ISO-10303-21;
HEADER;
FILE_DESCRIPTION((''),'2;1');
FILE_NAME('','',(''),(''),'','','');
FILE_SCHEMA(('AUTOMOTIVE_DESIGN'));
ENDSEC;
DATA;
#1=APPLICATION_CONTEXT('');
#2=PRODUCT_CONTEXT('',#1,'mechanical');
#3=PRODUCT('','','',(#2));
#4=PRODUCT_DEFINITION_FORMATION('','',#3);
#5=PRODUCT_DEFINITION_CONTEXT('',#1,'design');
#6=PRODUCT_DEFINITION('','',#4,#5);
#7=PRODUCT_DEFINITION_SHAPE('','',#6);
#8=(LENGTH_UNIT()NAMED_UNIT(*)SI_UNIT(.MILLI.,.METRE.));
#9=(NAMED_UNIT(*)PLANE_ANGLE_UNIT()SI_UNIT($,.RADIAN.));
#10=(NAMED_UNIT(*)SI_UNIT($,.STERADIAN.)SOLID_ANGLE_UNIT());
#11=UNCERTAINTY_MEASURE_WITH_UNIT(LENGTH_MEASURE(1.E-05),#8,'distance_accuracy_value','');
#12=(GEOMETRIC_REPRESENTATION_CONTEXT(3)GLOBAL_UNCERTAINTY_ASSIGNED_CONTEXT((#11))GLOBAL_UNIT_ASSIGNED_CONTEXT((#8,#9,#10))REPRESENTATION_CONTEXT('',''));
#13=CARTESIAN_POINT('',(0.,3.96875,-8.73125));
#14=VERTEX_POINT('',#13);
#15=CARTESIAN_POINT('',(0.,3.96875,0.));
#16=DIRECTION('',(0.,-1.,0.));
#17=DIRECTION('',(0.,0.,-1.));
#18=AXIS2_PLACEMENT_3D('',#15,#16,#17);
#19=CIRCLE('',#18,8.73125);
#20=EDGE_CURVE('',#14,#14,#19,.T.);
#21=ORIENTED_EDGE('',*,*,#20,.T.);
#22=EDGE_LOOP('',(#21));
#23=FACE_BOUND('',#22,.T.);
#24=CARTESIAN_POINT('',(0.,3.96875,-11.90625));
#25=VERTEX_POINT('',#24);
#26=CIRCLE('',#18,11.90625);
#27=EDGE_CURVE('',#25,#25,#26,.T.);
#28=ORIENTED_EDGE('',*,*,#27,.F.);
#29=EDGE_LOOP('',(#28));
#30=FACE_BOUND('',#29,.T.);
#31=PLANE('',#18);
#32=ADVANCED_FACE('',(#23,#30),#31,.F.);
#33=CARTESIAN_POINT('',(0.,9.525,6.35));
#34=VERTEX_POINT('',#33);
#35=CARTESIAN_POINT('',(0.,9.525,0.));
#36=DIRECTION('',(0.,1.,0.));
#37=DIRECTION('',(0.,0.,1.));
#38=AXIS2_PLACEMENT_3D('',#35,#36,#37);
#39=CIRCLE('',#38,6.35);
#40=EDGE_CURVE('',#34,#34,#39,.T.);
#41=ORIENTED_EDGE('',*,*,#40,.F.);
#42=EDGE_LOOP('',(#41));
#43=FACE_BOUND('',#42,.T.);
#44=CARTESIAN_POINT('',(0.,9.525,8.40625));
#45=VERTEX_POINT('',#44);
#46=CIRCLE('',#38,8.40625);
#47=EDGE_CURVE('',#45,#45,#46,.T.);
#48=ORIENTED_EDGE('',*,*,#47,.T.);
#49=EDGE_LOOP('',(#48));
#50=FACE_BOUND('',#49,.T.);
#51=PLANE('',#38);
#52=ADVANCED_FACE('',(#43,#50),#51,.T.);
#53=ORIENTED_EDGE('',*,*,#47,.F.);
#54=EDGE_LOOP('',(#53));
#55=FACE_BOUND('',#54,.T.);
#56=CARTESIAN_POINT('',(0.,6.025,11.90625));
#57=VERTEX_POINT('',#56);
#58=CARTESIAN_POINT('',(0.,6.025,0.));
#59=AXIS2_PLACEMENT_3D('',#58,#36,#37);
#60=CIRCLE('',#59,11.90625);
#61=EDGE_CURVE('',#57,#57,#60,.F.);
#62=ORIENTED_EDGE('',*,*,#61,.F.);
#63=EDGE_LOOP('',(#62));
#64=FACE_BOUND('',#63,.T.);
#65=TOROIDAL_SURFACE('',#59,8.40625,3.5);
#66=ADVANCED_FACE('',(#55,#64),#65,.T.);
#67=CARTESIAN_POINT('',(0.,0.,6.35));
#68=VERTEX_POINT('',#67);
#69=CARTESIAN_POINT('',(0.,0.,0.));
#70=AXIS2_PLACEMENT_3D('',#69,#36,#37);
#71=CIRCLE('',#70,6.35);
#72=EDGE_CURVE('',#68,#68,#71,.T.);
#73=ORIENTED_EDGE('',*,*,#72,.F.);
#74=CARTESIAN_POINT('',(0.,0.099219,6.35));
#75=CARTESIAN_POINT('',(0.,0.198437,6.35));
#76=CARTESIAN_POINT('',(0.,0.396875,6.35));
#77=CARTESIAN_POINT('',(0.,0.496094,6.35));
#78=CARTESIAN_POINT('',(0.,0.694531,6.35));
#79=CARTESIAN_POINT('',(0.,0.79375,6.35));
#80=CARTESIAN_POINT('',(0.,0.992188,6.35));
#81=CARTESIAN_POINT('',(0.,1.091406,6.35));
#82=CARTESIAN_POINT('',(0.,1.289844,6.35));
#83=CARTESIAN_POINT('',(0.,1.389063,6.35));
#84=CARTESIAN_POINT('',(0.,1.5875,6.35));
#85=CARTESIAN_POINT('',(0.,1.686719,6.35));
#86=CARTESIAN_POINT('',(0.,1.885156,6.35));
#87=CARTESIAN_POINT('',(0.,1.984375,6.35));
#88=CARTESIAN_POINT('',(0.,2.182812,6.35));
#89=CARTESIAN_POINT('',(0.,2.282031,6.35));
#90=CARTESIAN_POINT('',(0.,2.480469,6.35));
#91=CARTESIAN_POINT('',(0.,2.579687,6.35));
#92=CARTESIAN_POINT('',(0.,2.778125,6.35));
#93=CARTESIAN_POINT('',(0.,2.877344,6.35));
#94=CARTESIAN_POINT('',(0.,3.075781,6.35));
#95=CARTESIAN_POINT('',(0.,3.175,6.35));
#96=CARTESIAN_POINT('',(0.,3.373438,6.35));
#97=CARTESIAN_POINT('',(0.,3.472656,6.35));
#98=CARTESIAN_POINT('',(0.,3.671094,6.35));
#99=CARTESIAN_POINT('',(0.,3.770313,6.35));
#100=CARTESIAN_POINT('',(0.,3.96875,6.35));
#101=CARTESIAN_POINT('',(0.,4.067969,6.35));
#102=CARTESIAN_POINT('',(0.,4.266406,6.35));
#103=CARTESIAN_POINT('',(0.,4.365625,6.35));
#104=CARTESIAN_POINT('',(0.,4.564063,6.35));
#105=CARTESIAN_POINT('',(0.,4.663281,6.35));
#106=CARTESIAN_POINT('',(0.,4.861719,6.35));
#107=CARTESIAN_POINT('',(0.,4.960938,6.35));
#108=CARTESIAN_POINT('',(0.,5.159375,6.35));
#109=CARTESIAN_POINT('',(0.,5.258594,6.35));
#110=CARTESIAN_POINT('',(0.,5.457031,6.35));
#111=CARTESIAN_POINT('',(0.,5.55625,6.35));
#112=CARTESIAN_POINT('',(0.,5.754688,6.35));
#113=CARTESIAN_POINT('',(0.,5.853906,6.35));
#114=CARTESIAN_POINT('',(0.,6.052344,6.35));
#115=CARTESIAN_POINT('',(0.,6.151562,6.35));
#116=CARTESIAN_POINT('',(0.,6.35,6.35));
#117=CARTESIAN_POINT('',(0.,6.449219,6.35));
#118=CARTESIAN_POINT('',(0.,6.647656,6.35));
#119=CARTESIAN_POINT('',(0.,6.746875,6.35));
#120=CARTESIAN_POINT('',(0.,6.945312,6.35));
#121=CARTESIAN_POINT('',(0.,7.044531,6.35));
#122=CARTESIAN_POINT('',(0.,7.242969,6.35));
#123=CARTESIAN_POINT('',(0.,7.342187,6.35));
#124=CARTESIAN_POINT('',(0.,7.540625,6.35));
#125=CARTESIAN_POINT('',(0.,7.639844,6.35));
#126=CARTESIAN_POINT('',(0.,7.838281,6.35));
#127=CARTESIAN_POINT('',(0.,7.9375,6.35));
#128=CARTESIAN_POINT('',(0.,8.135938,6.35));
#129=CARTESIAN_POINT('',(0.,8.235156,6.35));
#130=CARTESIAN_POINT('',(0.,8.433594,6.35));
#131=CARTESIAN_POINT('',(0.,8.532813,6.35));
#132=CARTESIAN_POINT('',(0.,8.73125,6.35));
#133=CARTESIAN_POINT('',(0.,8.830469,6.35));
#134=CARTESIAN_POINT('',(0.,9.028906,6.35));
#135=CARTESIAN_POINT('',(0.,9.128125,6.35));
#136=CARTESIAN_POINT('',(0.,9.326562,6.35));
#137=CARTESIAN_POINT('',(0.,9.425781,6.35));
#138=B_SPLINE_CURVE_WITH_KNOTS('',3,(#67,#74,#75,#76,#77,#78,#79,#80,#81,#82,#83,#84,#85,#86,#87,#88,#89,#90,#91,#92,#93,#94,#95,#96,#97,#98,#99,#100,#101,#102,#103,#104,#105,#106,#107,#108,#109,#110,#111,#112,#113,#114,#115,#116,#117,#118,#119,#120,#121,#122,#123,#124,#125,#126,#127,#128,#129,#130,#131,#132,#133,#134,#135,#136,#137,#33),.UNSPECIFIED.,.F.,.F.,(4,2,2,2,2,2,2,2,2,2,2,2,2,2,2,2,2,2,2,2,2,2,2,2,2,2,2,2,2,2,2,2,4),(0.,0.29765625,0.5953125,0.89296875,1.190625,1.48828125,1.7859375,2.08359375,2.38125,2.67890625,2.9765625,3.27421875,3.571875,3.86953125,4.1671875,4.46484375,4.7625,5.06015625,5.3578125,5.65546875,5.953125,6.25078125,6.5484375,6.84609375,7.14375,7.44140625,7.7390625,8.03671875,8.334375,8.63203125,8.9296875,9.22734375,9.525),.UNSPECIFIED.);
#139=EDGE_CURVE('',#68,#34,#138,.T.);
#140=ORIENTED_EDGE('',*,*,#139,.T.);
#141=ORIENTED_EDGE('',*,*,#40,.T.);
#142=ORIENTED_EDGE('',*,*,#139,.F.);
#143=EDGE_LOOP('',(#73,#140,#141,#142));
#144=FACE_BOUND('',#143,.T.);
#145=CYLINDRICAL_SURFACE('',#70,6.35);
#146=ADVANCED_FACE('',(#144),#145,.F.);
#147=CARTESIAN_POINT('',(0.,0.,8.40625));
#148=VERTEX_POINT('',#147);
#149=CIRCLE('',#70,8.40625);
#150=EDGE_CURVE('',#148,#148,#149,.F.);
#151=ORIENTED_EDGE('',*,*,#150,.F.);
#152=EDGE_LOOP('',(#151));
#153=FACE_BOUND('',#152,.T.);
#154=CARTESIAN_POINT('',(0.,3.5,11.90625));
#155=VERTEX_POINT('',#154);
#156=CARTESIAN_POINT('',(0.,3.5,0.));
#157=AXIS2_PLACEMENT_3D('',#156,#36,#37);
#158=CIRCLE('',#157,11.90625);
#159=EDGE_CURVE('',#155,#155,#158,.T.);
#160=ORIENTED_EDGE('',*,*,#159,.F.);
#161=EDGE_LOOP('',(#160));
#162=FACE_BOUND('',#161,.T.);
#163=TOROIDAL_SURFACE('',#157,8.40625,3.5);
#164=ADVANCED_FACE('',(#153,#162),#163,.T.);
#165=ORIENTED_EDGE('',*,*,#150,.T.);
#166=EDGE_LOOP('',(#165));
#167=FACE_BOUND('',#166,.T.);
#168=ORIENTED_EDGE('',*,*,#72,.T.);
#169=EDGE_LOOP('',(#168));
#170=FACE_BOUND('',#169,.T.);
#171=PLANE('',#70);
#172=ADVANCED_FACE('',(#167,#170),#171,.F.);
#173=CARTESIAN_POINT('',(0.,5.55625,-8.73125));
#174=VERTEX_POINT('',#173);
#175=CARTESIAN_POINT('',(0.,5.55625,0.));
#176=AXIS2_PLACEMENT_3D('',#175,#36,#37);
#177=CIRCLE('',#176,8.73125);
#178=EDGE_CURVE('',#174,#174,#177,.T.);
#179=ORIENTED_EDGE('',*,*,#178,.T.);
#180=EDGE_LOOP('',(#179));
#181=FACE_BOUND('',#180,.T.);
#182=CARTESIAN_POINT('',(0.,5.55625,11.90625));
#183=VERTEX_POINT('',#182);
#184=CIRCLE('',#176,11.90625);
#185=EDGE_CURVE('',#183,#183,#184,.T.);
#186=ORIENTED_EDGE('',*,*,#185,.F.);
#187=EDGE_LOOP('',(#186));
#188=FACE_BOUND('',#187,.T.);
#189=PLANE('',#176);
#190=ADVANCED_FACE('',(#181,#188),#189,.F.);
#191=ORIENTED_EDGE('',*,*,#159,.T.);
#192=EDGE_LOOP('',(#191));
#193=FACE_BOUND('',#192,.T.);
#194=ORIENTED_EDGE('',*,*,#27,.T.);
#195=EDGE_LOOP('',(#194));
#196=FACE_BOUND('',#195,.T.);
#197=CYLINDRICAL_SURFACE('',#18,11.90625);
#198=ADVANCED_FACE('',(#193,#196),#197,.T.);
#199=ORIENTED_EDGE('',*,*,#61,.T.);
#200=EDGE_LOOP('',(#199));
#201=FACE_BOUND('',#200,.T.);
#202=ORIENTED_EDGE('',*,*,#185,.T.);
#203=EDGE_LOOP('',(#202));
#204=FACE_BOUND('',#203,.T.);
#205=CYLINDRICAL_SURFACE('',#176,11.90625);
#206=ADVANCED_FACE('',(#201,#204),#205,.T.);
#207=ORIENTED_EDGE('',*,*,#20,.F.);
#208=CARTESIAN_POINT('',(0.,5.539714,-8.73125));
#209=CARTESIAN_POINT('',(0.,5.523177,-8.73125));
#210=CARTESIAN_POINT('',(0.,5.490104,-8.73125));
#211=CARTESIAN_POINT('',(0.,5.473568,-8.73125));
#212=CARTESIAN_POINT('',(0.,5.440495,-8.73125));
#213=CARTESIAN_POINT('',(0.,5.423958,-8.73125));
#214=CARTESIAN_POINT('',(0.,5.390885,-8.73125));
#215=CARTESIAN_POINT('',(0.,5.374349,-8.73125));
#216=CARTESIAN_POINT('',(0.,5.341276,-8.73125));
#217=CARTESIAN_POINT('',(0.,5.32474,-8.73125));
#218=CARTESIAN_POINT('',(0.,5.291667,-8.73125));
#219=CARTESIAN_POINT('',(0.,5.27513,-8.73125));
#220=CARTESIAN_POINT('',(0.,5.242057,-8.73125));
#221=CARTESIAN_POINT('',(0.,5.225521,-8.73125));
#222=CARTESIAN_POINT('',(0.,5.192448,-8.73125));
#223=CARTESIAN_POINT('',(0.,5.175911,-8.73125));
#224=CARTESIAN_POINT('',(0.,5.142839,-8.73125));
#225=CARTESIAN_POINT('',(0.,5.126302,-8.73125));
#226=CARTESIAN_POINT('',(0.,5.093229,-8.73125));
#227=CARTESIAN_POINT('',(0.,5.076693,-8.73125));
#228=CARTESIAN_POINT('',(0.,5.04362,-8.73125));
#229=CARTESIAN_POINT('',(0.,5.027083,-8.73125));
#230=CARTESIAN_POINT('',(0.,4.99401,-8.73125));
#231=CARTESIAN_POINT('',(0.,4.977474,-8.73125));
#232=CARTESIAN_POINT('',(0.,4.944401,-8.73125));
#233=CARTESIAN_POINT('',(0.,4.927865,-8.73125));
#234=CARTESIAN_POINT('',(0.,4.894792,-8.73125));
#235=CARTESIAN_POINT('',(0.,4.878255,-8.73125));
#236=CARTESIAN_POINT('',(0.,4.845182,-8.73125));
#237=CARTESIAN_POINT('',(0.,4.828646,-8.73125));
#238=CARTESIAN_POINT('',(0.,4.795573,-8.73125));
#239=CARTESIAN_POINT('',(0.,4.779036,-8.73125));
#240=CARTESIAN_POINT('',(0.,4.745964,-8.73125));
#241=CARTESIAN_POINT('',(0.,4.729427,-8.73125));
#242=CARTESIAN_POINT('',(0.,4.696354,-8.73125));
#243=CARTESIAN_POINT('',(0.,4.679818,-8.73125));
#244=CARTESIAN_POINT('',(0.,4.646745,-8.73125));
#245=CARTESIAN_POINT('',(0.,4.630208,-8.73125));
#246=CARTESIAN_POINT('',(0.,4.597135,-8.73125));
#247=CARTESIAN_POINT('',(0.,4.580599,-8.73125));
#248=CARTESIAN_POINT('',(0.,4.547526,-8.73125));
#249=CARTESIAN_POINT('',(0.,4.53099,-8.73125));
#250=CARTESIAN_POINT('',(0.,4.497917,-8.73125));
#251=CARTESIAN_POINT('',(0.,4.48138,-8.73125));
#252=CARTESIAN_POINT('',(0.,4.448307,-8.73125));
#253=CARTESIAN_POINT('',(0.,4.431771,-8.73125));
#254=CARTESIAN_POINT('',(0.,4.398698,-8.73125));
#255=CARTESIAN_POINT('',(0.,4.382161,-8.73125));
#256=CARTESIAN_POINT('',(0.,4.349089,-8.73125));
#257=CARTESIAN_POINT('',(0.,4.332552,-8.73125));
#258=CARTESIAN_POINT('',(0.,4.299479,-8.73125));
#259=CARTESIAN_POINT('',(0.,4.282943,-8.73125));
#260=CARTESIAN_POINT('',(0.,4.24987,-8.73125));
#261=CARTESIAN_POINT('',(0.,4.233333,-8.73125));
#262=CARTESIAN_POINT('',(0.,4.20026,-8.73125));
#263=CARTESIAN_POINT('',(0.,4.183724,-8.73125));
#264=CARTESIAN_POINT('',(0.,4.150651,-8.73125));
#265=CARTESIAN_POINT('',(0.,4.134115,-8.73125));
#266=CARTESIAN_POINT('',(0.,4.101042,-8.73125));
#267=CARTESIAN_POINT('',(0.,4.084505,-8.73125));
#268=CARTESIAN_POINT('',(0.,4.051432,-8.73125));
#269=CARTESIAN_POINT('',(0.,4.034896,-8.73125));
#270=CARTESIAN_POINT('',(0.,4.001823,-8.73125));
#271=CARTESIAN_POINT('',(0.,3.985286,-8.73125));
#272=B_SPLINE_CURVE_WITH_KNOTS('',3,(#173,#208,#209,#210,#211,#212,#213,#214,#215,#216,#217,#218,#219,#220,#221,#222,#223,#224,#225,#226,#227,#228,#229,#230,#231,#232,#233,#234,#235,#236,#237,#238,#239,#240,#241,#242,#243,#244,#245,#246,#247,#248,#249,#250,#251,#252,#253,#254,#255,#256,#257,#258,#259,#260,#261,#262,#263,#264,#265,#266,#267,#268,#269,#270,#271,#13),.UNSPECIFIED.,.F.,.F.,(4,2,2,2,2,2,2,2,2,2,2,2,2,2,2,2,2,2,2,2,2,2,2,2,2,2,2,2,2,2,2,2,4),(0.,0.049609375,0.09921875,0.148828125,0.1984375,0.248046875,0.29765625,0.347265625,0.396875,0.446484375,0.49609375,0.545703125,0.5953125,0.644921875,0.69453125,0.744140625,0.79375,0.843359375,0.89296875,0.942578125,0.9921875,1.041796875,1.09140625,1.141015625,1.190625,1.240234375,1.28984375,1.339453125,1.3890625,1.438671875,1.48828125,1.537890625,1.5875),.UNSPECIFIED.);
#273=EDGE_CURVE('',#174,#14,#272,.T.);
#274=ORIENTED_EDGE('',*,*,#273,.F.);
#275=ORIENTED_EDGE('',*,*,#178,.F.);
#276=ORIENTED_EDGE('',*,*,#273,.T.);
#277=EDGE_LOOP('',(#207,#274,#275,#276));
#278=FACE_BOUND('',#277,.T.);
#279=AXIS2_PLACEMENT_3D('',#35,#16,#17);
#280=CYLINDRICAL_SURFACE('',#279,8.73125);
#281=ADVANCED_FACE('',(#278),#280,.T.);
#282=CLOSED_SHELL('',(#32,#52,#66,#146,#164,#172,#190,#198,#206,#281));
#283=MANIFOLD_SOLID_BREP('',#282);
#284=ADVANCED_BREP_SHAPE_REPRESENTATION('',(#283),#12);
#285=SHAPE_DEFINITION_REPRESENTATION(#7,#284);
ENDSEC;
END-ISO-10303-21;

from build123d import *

# Parameters (mm, degrees)
SKETCH1_R           = 8.73125
BOSS_EXTRUDE1_DEPTH = 9.525
SKETCH3_R           = 11.90625
BOSS_EXTRUDE2_DEPTH = 3.96875
BOSS_EXTRUDE3_START = -3.96875
SKETCH4_R           = 11.90625
BOSS_EXTRUDE3_DEPTH = 3.96875
SKETCH2_R           = 6.35
CUT_EXTRUDE2_DEPTH  = 20.345366451
FILLET2_R           = 3.5


with BuildPart() as part:
    # Sketch1 → Boss-Extrude1 (new body)
    with BuildSketch(Plane(origin=(0, 0, 0), x_dir=(1, 0, 0), z_dir=(0, 1, 0))):
        with Locations(Location((0, 0, 0), (0, 0, 90))):
            Circle(SKETCH1_R)
    extrude(amount=BOSS_EXTRUDE1_DEPTH)

    # Sketch3 → Boss-Extrude2 (add)
    with BuildSketch(Plane(origin=(0, 9.525, 0), x_dir=(1, 0, 0), z_dir=(0, 1, 0))):
        with Locations(Location((0, 0, 0), (0, 0, 270))):
            Circle(SKETCH3_R)
    extrude(amount=-BOSS_EXTRUDE2_DEPTH)

    # Sketch4 → Boss-Extrude3 (add)
    with BuildSketch(Plane(origin=(0, 0, 0), x_dir=(-1, 0, 0), z_dir=(0, -1, 0)).offset(BOSS_EXTRUDE3_START)):
        with Locations(Location((0, 0, 0), (0, 0, 270))):
            Circle(SKETCH4_R)
    extrude(amount=BOSS_EXTRUDE3_DEPTH)

    # Sketch2 → Cut-Extrude2 (cut, through all)
    with BuildSketch(Plane(origin=(0, 9.525, 0), x_dir=(1, 0, 0), z_dir=(0, 1, 0))):
        with Locations(Location((0, 0, 0), (0, 0, 270))):
            Circle(SKETCH2_R)
    extrude(amount=-CUT_EXTRUDE2_DEPTH, mode=Mode.SUBTRACT)

    # Fillet2
    fillet2_edges = [part.edges().sort_by_distance(p)[0] for p in [
        (0, 0, -11.90625),
        (0, 9.525, -11.90625),
    ]]
    fillet(fillet2_edges, radius=FILLET2_R)


solid = part.part
